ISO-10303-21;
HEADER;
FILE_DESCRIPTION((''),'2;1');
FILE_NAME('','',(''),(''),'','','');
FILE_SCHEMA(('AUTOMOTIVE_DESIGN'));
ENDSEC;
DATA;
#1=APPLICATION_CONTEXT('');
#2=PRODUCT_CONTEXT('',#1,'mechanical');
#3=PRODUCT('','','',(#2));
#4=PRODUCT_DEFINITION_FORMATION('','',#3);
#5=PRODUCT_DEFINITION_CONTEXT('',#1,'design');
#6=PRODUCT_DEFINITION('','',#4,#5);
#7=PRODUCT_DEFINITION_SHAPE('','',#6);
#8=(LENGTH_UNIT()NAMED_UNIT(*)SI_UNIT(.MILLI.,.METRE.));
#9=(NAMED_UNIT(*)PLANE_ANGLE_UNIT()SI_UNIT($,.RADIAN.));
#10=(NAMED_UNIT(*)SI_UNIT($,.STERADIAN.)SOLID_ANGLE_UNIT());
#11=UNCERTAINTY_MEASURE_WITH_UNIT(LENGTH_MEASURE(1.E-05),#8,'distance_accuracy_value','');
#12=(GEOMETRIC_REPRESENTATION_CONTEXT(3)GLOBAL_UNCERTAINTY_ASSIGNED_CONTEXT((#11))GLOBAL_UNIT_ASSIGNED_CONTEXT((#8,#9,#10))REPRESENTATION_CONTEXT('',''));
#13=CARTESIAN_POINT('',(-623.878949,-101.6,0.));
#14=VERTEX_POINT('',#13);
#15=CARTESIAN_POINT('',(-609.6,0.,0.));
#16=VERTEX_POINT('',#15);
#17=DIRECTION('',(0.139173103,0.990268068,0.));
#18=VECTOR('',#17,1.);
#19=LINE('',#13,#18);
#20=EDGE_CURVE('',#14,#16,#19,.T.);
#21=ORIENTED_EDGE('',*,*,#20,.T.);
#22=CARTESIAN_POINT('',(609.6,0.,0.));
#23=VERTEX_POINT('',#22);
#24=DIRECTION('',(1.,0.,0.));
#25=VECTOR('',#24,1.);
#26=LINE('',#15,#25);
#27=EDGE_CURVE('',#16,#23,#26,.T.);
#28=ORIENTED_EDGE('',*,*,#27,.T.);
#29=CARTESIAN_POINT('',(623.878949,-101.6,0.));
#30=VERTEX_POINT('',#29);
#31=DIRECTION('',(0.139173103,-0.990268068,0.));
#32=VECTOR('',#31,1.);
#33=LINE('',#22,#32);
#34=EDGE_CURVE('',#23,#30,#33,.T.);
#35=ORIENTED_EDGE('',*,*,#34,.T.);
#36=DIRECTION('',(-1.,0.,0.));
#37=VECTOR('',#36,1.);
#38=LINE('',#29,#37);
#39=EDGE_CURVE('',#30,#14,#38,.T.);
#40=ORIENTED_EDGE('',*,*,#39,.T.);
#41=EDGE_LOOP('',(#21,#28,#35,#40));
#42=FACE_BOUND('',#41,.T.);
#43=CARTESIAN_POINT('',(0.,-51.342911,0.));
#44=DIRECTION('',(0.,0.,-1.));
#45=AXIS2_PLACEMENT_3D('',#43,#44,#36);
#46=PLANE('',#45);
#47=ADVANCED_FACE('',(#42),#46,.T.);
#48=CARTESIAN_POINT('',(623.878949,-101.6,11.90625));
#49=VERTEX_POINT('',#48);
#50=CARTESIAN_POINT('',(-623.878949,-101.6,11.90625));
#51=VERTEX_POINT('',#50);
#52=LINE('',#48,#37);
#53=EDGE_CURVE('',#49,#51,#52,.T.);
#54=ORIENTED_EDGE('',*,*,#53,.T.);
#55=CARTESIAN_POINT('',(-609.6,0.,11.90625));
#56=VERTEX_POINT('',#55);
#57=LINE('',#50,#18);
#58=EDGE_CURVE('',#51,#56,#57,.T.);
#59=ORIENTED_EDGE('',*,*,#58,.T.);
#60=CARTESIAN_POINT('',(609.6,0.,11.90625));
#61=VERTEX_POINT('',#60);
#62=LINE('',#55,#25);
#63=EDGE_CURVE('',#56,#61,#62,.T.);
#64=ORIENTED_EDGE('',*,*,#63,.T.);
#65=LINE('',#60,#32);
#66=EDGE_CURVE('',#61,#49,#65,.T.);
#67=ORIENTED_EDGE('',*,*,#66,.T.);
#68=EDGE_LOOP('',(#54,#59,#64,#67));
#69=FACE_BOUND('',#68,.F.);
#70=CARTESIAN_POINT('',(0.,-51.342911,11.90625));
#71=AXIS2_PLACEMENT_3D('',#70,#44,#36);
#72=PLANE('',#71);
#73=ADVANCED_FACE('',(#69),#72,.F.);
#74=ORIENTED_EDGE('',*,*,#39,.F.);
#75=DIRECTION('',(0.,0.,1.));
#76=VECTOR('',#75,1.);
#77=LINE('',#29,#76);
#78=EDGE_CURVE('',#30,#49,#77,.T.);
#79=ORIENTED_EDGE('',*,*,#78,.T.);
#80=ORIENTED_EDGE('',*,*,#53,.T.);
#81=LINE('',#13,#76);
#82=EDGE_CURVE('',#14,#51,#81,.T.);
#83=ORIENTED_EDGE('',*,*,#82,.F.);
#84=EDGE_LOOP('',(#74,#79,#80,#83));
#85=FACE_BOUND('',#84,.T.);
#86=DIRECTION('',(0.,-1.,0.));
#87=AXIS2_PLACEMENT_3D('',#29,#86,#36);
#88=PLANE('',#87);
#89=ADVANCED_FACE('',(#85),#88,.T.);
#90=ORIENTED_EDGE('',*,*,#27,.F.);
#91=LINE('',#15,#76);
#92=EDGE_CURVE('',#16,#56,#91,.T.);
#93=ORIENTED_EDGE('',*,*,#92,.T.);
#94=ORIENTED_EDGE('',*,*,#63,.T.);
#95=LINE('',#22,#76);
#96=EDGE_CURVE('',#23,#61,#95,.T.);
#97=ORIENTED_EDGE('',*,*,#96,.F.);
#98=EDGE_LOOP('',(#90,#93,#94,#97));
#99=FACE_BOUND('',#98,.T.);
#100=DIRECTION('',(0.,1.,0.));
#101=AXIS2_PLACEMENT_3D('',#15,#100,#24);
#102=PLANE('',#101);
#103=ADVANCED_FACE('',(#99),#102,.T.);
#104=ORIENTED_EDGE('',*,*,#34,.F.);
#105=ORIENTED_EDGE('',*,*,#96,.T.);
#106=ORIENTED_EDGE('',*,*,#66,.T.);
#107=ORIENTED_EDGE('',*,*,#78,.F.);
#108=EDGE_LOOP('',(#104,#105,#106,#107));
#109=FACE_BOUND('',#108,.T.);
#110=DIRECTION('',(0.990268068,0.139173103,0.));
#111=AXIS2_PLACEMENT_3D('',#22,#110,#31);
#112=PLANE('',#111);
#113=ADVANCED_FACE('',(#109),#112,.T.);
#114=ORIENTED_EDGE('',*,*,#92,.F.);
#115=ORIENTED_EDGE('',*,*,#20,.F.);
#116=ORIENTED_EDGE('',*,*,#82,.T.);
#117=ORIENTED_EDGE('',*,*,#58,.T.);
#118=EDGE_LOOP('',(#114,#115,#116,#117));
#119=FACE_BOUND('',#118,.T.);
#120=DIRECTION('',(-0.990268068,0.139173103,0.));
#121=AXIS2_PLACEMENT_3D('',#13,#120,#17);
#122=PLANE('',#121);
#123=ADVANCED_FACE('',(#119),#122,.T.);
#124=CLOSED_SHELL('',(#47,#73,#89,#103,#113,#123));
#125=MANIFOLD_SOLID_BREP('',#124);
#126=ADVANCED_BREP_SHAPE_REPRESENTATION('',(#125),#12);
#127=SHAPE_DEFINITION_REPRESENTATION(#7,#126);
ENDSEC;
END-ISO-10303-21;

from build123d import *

# Parameters (mm, degrees)
PAD_DEPTH = 11.90625


with BuildPart() as part:
    # Sketch → Pad (new body)
    with BuildSketch(Plane.XY):
        Polygon((-609.6, 0), (609.6, 0), (623.878949, -101.6), (-623.878949, -101.6), align=None)
    extrude(amount=PAD_DEPTH)


solid = part.part
